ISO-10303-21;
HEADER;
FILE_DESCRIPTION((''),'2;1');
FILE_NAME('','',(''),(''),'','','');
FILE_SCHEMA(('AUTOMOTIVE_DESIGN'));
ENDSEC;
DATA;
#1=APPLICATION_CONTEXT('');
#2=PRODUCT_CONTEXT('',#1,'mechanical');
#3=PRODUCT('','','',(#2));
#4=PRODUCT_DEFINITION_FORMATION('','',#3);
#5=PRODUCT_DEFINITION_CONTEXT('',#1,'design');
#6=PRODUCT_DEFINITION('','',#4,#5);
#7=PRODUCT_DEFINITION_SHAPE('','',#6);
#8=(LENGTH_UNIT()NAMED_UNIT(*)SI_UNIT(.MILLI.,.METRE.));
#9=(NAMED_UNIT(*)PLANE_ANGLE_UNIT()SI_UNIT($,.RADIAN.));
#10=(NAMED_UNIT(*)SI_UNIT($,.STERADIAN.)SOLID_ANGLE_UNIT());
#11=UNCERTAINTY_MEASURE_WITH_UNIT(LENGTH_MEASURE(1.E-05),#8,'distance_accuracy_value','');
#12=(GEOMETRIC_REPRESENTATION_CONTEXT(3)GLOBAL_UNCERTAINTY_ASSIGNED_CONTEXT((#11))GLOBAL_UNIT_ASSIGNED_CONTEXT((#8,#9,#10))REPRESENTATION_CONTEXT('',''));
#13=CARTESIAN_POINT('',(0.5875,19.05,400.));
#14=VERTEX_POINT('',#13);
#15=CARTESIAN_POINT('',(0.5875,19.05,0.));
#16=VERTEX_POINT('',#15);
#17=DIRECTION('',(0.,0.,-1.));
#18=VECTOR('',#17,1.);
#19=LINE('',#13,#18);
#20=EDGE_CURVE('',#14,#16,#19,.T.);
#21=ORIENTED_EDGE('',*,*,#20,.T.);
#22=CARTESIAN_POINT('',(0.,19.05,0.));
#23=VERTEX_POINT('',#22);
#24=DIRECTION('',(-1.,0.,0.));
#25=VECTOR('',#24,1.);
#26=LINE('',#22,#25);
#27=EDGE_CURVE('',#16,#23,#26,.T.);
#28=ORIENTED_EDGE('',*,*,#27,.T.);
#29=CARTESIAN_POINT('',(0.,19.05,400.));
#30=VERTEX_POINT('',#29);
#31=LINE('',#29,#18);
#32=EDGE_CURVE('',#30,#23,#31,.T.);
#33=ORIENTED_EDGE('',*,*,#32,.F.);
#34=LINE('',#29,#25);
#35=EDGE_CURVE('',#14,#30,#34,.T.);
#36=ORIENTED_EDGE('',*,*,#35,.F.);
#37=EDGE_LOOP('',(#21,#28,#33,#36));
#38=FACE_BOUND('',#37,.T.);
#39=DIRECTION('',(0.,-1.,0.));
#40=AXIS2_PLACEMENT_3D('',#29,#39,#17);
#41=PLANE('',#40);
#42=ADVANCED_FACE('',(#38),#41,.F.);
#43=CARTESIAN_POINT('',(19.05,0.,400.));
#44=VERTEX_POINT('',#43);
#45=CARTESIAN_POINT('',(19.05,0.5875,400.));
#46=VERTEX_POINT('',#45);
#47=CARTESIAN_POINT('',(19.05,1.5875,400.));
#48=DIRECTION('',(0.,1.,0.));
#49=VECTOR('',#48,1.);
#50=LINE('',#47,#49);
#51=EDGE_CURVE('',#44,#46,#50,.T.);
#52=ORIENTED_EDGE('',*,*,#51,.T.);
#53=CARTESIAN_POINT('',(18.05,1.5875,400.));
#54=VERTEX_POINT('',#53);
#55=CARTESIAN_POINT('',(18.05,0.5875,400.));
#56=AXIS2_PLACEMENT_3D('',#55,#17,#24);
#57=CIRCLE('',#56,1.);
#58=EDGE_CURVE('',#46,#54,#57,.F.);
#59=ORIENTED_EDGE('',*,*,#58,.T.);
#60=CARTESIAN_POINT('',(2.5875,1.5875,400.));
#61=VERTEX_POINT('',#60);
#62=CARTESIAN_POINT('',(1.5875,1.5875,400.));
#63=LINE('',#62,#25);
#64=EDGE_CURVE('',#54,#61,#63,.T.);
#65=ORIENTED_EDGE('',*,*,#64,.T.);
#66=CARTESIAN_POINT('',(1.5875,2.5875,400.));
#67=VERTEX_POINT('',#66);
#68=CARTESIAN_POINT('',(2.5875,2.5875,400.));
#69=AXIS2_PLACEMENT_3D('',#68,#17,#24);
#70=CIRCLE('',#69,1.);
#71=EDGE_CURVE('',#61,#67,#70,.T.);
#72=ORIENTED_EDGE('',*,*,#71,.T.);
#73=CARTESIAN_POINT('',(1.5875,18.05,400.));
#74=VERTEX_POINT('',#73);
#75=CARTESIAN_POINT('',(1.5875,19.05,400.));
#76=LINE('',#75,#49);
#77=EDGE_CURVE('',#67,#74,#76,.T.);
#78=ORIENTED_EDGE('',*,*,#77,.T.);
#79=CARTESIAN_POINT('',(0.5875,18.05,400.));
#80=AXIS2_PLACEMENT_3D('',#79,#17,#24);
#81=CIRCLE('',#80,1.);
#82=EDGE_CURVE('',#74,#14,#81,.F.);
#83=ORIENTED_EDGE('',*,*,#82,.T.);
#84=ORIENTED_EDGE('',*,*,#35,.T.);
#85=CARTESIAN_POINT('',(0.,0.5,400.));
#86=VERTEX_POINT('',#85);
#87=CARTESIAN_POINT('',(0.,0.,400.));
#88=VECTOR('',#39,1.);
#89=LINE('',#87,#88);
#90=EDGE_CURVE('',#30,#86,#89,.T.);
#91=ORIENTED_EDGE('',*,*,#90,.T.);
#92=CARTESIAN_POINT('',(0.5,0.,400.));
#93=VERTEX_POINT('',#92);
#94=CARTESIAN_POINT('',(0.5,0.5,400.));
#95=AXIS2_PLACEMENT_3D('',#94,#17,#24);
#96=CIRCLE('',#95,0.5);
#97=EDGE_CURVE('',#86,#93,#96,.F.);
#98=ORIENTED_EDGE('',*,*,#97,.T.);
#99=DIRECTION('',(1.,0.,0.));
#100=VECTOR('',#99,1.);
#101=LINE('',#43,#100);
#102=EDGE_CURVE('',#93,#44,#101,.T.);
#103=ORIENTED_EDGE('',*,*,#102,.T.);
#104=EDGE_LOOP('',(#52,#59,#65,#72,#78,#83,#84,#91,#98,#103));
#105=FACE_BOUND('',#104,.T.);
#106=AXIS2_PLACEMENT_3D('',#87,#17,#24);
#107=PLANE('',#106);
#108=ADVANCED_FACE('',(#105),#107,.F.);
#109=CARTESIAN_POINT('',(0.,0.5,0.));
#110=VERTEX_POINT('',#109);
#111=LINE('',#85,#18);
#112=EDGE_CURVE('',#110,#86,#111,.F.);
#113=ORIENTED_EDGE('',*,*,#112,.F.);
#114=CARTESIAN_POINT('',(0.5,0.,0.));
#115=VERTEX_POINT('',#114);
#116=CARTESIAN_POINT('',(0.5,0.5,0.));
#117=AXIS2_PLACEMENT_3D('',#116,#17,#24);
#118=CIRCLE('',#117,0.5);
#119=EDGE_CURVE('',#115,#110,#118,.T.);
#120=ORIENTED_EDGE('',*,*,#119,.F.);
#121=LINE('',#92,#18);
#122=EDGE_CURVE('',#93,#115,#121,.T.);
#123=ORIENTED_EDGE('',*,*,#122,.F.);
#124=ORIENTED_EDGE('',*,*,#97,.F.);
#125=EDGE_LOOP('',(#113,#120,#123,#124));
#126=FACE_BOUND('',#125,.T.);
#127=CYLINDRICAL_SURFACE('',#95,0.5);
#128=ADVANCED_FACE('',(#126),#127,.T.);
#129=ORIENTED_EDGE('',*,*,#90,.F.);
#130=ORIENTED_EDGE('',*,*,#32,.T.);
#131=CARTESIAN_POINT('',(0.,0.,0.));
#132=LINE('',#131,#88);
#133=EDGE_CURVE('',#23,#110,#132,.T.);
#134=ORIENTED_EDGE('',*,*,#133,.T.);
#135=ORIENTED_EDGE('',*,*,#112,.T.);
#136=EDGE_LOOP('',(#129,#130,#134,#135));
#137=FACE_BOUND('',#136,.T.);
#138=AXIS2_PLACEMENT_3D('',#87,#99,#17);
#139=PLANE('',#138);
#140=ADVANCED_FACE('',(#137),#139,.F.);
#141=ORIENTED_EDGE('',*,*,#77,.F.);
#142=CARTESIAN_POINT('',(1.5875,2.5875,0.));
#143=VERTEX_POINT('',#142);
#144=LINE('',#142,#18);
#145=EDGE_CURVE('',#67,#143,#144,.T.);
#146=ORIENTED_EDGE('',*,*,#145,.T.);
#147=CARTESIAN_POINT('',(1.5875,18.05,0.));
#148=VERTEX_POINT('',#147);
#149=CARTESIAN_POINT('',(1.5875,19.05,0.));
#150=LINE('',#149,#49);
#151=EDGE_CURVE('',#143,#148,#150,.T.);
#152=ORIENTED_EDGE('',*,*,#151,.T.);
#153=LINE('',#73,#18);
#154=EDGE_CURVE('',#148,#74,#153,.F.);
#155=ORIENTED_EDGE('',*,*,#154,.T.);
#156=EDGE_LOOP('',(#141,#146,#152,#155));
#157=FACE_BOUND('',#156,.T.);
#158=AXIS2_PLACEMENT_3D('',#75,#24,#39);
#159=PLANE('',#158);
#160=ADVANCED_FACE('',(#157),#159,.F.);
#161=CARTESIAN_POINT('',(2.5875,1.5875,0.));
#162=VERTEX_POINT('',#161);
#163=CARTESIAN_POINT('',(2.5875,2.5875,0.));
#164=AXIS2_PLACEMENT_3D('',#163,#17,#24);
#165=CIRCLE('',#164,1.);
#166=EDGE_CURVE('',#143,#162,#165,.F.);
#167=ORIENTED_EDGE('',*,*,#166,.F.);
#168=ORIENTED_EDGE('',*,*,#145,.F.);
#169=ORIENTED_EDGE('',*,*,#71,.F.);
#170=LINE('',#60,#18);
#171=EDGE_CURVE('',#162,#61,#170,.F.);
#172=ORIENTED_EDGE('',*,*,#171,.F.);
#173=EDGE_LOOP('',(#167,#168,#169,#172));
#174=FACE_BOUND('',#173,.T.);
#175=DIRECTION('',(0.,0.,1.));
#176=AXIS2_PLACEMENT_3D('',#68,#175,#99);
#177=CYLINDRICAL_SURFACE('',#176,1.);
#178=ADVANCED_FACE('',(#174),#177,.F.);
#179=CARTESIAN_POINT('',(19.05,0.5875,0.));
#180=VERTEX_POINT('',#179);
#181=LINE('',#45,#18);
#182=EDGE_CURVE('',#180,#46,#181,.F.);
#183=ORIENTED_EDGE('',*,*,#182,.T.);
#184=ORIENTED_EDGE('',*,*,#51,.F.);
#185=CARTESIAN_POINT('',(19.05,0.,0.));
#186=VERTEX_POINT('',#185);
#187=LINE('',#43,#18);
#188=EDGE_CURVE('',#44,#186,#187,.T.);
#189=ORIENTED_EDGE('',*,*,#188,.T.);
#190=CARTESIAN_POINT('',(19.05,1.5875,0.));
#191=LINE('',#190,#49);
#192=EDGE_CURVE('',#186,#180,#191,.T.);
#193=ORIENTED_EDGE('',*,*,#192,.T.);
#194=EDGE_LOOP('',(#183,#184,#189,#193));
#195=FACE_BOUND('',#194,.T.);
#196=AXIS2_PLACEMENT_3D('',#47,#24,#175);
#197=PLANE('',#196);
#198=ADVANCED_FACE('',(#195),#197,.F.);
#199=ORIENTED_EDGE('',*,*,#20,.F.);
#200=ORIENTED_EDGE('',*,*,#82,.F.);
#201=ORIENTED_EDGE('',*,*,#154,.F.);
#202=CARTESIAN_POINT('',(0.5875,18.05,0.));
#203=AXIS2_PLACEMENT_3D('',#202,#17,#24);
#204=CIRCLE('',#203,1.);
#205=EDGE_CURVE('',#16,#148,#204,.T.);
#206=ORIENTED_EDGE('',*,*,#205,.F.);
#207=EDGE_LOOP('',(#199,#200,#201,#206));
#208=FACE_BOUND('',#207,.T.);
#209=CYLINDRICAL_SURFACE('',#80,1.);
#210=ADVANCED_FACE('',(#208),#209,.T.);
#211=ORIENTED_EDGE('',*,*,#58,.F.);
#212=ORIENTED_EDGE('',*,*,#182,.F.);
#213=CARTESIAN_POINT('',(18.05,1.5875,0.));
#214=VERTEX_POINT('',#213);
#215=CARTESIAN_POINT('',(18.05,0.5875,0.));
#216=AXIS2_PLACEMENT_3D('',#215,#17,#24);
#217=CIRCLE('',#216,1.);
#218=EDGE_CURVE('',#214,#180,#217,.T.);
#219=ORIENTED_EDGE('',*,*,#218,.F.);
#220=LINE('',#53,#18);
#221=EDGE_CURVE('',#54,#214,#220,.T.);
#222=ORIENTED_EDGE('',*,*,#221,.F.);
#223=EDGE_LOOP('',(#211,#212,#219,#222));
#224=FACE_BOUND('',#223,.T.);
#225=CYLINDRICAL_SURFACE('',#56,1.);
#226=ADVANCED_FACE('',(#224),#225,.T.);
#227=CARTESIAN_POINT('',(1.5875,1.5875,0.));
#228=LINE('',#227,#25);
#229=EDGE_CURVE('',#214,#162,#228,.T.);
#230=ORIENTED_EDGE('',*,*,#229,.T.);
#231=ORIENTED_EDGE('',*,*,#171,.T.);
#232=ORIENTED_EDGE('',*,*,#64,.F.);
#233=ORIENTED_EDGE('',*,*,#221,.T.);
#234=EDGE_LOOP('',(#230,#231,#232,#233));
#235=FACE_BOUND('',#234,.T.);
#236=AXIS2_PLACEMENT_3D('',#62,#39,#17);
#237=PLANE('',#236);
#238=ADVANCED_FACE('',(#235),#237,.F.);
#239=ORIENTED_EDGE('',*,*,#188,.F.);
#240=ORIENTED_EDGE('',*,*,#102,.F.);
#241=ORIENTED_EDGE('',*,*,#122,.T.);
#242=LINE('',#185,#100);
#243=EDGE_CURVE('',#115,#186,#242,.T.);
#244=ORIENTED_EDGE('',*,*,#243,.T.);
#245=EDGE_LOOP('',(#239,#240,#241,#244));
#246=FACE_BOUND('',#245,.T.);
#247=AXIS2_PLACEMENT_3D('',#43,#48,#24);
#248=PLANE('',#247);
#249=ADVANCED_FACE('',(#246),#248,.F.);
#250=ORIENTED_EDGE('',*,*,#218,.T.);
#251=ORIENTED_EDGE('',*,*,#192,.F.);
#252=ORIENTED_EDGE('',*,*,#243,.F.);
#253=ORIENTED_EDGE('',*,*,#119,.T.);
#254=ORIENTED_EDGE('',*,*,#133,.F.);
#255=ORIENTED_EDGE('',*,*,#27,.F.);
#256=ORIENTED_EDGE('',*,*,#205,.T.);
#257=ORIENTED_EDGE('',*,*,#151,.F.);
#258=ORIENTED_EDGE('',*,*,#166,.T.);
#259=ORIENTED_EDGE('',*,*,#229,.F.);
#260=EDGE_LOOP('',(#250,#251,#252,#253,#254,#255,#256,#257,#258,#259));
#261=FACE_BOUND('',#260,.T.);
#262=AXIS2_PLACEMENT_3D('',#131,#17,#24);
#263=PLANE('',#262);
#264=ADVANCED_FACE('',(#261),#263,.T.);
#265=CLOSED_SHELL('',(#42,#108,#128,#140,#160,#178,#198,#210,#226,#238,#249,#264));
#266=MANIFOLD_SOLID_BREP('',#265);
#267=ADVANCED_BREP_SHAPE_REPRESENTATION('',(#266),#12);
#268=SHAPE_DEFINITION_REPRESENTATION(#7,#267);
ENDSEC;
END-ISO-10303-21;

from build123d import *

# Parameters (mm, degrees)
BOSS_EXTRUDE1_DEPTH = 400
FILLET1_R           = 1
FILLET2_R           = 0.5


with BuildPart() as part:
    # Sketch1 → Boss-Extrude1 (new body)
    with BuildSketch(Plane.XY):
        Polygon((0, 0), (0, 19.05), (1.5875, 19.05), (1.5875, 1.5875), (19.05, 1.5875), (19.05, 0), align=None)
    extrude(amount=BOSS_EXTRUDE1_DEPTH)

    # Fillet1
    fillet1_edges = [part.edges().sort_by_distance(p)[0] for p in [
        (1.5875, 19.05, 200),
        (1.5875, 1.5875, 200),
        (19.05, 1.5875, 200),
    ]]
    fillet(fillet1_edges, radius=FILLET1_R)

    # Fillet2
    fillet2_edges = [part.edges().sort_by_distance(p)[0] for p in [
        (0, 0, 200),
    ]]
    fillet(fillet2_edges, radius=FILLET2_R)


solid = part.part
